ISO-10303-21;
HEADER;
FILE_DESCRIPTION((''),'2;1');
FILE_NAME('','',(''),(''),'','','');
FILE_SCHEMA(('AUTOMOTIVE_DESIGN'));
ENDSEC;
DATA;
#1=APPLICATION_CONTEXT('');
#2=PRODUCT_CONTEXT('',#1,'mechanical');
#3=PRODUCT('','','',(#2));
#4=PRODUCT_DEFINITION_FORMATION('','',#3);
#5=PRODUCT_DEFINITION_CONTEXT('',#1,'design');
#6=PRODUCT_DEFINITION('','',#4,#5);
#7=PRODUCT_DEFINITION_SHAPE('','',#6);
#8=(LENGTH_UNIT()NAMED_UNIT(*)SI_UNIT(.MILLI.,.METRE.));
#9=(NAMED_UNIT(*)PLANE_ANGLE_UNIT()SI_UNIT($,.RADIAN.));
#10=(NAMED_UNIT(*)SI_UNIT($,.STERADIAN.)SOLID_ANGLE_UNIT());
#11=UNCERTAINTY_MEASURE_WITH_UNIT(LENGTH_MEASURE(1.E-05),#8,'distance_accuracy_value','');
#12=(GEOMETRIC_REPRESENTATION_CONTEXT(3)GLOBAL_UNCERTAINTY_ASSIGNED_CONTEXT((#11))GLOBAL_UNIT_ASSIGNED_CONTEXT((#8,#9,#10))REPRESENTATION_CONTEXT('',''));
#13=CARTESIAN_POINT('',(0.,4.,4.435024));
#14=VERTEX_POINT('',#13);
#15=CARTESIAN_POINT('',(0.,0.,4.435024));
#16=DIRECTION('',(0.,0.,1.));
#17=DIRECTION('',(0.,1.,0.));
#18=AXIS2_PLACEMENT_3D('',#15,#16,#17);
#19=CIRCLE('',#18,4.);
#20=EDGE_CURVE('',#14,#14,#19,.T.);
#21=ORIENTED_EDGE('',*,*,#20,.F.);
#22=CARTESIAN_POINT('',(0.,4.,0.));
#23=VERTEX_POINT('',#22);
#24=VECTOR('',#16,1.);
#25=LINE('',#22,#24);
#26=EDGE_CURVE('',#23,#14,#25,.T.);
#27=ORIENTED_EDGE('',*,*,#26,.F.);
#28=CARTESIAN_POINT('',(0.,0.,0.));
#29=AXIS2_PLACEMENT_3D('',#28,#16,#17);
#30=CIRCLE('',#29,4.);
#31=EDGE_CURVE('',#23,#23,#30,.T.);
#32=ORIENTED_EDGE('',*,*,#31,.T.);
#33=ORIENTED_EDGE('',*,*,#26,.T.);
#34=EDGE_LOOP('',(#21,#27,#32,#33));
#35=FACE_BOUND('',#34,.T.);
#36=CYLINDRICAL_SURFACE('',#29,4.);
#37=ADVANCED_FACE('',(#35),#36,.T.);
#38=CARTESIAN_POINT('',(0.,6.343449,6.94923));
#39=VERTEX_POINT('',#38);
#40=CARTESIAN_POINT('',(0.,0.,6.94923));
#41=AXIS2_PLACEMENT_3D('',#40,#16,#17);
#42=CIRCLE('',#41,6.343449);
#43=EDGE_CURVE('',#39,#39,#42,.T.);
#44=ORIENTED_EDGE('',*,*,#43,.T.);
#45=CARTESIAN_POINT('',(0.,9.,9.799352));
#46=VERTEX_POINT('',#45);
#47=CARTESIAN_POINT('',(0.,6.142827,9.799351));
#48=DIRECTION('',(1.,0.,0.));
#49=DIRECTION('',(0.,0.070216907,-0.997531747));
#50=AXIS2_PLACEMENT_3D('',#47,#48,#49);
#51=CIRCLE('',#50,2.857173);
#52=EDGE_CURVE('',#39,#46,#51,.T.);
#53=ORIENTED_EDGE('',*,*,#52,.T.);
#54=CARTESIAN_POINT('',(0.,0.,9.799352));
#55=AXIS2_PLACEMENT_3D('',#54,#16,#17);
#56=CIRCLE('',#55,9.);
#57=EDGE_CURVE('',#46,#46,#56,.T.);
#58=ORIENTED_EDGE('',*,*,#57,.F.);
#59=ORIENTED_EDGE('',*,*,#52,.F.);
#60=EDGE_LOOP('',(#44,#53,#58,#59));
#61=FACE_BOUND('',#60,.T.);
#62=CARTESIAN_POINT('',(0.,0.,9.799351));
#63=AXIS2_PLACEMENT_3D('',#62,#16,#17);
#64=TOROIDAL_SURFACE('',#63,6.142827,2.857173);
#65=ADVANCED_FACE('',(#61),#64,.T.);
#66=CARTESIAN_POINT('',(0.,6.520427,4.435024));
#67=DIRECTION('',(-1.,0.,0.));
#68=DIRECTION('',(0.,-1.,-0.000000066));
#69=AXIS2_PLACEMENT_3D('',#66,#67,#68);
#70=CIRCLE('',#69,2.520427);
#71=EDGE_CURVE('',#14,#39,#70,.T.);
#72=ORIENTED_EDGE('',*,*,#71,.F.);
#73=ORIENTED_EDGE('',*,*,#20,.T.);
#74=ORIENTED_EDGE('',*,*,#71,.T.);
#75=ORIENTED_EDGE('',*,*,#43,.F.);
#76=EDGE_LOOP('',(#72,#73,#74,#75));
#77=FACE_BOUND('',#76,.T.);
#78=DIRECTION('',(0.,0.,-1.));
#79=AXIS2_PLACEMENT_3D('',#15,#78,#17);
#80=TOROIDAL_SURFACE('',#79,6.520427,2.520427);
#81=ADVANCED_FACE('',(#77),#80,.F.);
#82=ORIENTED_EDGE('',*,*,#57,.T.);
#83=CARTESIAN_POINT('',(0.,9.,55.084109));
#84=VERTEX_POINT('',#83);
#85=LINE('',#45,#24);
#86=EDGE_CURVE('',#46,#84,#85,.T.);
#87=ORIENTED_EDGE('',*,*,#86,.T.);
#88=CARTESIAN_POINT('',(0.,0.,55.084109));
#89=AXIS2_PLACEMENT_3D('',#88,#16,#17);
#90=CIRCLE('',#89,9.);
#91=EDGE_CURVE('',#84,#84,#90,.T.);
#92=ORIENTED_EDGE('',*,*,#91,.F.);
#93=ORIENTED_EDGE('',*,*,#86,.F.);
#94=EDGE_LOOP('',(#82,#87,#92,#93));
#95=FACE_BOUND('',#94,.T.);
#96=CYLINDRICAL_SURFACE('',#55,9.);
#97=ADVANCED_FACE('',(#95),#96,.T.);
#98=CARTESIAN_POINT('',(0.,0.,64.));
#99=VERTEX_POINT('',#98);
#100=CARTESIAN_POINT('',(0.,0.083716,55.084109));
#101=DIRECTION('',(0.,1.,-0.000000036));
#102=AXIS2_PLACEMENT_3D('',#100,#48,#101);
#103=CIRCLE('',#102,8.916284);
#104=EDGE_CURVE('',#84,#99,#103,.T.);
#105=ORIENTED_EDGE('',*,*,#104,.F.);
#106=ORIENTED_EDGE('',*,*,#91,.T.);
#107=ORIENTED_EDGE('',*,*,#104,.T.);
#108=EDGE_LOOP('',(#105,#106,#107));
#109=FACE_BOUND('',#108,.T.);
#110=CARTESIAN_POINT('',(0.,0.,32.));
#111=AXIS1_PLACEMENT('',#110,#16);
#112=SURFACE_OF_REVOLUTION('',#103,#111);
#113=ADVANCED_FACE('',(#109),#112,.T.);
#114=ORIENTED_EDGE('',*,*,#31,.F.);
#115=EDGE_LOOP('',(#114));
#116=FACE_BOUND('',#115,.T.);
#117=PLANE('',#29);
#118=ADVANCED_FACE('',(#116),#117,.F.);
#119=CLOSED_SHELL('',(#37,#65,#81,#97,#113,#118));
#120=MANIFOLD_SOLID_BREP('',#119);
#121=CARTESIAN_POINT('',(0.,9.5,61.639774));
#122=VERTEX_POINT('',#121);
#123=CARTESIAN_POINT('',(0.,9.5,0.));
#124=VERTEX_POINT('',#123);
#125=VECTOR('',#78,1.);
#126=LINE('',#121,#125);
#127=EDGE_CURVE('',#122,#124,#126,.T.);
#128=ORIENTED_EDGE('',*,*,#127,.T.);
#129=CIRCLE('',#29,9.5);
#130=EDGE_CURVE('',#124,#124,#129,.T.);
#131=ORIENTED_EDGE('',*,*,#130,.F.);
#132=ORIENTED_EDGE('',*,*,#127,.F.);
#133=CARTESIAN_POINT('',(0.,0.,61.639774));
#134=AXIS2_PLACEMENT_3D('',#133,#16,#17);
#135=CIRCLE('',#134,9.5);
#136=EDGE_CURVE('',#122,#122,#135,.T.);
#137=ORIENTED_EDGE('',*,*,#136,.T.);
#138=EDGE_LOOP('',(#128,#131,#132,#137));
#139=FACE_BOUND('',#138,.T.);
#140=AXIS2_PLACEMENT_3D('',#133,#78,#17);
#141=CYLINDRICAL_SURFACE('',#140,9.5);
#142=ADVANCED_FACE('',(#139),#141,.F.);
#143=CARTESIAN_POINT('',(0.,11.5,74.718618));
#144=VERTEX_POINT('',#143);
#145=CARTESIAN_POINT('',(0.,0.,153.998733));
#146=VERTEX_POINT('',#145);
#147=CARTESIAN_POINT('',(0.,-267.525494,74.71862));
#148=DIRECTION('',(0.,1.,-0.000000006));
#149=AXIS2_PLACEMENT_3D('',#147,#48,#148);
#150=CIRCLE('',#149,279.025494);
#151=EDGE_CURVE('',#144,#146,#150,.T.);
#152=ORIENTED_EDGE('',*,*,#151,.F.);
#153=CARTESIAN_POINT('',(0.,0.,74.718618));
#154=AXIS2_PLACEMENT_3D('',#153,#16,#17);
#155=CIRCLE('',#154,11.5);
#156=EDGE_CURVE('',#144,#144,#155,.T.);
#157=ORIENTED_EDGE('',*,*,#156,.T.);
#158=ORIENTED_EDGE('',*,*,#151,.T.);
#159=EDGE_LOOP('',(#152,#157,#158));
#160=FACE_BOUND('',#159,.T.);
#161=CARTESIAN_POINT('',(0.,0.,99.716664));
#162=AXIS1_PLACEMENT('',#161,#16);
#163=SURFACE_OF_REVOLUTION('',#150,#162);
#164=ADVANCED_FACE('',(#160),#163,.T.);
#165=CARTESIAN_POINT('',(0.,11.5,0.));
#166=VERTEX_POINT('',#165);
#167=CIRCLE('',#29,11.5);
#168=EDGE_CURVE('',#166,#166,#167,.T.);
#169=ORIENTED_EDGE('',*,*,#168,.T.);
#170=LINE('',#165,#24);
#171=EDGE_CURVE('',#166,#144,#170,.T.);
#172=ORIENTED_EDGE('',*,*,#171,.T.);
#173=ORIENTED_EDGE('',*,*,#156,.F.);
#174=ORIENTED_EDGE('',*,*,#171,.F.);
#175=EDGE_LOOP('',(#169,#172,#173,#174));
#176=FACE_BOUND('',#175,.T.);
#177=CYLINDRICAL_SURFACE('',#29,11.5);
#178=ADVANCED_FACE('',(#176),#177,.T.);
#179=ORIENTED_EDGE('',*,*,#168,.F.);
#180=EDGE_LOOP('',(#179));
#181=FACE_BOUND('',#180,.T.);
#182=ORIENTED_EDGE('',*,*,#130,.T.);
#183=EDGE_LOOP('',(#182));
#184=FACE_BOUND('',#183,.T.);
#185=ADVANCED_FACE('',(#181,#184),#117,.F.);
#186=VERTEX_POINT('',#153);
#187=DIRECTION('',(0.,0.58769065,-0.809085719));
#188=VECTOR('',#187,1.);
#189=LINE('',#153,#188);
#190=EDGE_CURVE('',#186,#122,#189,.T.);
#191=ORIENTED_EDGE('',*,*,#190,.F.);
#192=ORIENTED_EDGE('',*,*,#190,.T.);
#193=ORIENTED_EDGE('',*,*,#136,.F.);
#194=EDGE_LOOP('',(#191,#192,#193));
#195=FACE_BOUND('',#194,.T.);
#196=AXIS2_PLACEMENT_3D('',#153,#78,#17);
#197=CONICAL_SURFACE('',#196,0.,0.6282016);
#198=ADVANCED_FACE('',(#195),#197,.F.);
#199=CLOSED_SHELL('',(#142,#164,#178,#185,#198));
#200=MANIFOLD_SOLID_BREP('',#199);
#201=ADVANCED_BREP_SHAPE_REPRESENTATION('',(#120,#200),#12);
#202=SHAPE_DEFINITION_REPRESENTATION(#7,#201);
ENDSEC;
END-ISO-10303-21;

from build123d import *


with BuildPart() as f1:
    # F0 (on Right) → F1 (revolve)
    with BuildSketch(Plane.YZ):
        with BuildLine():
            Line((0, 64), (0, 0))
            Line((0, 0), (4, 0))
            Line((4, 0), (4, 4.435024))
            ThreePointArc((4, 4.435024), (4.676706, 6.153525), (6.343449, 6.94923))
            ThreePointArc((6.343449, 6.94923), (8.232881, 7.851246), (9, 9.799352))
            Line((9, 9.799352), (9, 55.084109))
            ThreePointArc((9, 55.084109), (6.358813, 61.418403), (0, 64))
        make_face()
    revolve(axis=Axis((0, 0, 32), (0, 0, 1)))


with BuildPart() as f3:
    # F2 (on Right) → F3 (revolve)
    with BuildSketch(Plane.YZ):
        with BuildLine():
            Line((9.5, 61.639774), (9.5, 0))
            Line((9.5, 0), (11.5, 0))
            Line((11.5, 0), (11.5, 74.718618))
            ThreePointArc((11.5, 74.718618), (8.610034, 114.773538), (0, 153.998733))
            Line((0, 153.998733), (0, 74.718618))
            Line((0, 74.718618), (9.5, 61.639774))
        make_face()
    revolve(axis=Axis((0, 0, 99.716664), (0, 0, 1)))


solid = Compound([f1.part, f3.part])
